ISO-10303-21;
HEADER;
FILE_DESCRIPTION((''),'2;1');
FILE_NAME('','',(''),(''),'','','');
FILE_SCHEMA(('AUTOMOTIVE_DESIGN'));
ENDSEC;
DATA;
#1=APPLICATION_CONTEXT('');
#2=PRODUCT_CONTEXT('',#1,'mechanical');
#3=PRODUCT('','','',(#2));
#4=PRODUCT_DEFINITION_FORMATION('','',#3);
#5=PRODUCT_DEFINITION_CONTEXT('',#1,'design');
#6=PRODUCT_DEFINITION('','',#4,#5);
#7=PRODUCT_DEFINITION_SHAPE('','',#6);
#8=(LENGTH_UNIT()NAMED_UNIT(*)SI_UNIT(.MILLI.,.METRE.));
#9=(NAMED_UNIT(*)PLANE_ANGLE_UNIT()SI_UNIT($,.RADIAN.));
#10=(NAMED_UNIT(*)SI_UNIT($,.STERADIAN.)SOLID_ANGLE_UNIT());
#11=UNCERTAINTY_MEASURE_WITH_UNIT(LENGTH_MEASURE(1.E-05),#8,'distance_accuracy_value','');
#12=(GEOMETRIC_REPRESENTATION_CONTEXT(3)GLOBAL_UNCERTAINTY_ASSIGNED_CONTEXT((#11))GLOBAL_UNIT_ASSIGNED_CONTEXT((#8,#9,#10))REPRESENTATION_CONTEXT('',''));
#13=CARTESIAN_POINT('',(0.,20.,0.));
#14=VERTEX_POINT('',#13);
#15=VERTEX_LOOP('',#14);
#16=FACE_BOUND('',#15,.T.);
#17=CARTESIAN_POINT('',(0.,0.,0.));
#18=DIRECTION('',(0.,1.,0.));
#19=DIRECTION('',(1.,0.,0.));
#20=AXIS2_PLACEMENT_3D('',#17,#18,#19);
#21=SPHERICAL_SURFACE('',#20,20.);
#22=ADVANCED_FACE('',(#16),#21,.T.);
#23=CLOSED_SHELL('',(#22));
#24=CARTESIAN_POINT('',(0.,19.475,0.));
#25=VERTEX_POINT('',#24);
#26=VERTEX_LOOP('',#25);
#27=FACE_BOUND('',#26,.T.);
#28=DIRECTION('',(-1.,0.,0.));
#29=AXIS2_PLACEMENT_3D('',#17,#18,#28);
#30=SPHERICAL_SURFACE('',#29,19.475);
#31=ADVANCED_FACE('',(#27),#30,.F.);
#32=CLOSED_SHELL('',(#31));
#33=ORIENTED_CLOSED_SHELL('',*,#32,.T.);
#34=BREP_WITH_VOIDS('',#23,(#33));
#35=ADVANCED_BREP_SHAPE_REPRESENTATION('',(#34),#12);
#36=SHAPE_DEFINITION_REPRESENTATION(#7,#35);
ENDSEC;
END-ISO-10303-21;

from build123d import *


with BuildPart() as part:
    # Sketch2 → Revolve1 (revolve)
    with BuildSketch(Plane.XY):
        with BuildLine():
            Line((0, 20), (0, 19.475))
            ThreePointArc((0, 19.475), (19.475, 0), (0, -19.475))
            Line((0, -19.475), (0, -20))
            ThreePointArc((0, -20), (20, 0), (0, 20))
        make_face()
    revolve(axis=Axis((0, 20, 0), (0, -1, 0)))


solid = part.part
